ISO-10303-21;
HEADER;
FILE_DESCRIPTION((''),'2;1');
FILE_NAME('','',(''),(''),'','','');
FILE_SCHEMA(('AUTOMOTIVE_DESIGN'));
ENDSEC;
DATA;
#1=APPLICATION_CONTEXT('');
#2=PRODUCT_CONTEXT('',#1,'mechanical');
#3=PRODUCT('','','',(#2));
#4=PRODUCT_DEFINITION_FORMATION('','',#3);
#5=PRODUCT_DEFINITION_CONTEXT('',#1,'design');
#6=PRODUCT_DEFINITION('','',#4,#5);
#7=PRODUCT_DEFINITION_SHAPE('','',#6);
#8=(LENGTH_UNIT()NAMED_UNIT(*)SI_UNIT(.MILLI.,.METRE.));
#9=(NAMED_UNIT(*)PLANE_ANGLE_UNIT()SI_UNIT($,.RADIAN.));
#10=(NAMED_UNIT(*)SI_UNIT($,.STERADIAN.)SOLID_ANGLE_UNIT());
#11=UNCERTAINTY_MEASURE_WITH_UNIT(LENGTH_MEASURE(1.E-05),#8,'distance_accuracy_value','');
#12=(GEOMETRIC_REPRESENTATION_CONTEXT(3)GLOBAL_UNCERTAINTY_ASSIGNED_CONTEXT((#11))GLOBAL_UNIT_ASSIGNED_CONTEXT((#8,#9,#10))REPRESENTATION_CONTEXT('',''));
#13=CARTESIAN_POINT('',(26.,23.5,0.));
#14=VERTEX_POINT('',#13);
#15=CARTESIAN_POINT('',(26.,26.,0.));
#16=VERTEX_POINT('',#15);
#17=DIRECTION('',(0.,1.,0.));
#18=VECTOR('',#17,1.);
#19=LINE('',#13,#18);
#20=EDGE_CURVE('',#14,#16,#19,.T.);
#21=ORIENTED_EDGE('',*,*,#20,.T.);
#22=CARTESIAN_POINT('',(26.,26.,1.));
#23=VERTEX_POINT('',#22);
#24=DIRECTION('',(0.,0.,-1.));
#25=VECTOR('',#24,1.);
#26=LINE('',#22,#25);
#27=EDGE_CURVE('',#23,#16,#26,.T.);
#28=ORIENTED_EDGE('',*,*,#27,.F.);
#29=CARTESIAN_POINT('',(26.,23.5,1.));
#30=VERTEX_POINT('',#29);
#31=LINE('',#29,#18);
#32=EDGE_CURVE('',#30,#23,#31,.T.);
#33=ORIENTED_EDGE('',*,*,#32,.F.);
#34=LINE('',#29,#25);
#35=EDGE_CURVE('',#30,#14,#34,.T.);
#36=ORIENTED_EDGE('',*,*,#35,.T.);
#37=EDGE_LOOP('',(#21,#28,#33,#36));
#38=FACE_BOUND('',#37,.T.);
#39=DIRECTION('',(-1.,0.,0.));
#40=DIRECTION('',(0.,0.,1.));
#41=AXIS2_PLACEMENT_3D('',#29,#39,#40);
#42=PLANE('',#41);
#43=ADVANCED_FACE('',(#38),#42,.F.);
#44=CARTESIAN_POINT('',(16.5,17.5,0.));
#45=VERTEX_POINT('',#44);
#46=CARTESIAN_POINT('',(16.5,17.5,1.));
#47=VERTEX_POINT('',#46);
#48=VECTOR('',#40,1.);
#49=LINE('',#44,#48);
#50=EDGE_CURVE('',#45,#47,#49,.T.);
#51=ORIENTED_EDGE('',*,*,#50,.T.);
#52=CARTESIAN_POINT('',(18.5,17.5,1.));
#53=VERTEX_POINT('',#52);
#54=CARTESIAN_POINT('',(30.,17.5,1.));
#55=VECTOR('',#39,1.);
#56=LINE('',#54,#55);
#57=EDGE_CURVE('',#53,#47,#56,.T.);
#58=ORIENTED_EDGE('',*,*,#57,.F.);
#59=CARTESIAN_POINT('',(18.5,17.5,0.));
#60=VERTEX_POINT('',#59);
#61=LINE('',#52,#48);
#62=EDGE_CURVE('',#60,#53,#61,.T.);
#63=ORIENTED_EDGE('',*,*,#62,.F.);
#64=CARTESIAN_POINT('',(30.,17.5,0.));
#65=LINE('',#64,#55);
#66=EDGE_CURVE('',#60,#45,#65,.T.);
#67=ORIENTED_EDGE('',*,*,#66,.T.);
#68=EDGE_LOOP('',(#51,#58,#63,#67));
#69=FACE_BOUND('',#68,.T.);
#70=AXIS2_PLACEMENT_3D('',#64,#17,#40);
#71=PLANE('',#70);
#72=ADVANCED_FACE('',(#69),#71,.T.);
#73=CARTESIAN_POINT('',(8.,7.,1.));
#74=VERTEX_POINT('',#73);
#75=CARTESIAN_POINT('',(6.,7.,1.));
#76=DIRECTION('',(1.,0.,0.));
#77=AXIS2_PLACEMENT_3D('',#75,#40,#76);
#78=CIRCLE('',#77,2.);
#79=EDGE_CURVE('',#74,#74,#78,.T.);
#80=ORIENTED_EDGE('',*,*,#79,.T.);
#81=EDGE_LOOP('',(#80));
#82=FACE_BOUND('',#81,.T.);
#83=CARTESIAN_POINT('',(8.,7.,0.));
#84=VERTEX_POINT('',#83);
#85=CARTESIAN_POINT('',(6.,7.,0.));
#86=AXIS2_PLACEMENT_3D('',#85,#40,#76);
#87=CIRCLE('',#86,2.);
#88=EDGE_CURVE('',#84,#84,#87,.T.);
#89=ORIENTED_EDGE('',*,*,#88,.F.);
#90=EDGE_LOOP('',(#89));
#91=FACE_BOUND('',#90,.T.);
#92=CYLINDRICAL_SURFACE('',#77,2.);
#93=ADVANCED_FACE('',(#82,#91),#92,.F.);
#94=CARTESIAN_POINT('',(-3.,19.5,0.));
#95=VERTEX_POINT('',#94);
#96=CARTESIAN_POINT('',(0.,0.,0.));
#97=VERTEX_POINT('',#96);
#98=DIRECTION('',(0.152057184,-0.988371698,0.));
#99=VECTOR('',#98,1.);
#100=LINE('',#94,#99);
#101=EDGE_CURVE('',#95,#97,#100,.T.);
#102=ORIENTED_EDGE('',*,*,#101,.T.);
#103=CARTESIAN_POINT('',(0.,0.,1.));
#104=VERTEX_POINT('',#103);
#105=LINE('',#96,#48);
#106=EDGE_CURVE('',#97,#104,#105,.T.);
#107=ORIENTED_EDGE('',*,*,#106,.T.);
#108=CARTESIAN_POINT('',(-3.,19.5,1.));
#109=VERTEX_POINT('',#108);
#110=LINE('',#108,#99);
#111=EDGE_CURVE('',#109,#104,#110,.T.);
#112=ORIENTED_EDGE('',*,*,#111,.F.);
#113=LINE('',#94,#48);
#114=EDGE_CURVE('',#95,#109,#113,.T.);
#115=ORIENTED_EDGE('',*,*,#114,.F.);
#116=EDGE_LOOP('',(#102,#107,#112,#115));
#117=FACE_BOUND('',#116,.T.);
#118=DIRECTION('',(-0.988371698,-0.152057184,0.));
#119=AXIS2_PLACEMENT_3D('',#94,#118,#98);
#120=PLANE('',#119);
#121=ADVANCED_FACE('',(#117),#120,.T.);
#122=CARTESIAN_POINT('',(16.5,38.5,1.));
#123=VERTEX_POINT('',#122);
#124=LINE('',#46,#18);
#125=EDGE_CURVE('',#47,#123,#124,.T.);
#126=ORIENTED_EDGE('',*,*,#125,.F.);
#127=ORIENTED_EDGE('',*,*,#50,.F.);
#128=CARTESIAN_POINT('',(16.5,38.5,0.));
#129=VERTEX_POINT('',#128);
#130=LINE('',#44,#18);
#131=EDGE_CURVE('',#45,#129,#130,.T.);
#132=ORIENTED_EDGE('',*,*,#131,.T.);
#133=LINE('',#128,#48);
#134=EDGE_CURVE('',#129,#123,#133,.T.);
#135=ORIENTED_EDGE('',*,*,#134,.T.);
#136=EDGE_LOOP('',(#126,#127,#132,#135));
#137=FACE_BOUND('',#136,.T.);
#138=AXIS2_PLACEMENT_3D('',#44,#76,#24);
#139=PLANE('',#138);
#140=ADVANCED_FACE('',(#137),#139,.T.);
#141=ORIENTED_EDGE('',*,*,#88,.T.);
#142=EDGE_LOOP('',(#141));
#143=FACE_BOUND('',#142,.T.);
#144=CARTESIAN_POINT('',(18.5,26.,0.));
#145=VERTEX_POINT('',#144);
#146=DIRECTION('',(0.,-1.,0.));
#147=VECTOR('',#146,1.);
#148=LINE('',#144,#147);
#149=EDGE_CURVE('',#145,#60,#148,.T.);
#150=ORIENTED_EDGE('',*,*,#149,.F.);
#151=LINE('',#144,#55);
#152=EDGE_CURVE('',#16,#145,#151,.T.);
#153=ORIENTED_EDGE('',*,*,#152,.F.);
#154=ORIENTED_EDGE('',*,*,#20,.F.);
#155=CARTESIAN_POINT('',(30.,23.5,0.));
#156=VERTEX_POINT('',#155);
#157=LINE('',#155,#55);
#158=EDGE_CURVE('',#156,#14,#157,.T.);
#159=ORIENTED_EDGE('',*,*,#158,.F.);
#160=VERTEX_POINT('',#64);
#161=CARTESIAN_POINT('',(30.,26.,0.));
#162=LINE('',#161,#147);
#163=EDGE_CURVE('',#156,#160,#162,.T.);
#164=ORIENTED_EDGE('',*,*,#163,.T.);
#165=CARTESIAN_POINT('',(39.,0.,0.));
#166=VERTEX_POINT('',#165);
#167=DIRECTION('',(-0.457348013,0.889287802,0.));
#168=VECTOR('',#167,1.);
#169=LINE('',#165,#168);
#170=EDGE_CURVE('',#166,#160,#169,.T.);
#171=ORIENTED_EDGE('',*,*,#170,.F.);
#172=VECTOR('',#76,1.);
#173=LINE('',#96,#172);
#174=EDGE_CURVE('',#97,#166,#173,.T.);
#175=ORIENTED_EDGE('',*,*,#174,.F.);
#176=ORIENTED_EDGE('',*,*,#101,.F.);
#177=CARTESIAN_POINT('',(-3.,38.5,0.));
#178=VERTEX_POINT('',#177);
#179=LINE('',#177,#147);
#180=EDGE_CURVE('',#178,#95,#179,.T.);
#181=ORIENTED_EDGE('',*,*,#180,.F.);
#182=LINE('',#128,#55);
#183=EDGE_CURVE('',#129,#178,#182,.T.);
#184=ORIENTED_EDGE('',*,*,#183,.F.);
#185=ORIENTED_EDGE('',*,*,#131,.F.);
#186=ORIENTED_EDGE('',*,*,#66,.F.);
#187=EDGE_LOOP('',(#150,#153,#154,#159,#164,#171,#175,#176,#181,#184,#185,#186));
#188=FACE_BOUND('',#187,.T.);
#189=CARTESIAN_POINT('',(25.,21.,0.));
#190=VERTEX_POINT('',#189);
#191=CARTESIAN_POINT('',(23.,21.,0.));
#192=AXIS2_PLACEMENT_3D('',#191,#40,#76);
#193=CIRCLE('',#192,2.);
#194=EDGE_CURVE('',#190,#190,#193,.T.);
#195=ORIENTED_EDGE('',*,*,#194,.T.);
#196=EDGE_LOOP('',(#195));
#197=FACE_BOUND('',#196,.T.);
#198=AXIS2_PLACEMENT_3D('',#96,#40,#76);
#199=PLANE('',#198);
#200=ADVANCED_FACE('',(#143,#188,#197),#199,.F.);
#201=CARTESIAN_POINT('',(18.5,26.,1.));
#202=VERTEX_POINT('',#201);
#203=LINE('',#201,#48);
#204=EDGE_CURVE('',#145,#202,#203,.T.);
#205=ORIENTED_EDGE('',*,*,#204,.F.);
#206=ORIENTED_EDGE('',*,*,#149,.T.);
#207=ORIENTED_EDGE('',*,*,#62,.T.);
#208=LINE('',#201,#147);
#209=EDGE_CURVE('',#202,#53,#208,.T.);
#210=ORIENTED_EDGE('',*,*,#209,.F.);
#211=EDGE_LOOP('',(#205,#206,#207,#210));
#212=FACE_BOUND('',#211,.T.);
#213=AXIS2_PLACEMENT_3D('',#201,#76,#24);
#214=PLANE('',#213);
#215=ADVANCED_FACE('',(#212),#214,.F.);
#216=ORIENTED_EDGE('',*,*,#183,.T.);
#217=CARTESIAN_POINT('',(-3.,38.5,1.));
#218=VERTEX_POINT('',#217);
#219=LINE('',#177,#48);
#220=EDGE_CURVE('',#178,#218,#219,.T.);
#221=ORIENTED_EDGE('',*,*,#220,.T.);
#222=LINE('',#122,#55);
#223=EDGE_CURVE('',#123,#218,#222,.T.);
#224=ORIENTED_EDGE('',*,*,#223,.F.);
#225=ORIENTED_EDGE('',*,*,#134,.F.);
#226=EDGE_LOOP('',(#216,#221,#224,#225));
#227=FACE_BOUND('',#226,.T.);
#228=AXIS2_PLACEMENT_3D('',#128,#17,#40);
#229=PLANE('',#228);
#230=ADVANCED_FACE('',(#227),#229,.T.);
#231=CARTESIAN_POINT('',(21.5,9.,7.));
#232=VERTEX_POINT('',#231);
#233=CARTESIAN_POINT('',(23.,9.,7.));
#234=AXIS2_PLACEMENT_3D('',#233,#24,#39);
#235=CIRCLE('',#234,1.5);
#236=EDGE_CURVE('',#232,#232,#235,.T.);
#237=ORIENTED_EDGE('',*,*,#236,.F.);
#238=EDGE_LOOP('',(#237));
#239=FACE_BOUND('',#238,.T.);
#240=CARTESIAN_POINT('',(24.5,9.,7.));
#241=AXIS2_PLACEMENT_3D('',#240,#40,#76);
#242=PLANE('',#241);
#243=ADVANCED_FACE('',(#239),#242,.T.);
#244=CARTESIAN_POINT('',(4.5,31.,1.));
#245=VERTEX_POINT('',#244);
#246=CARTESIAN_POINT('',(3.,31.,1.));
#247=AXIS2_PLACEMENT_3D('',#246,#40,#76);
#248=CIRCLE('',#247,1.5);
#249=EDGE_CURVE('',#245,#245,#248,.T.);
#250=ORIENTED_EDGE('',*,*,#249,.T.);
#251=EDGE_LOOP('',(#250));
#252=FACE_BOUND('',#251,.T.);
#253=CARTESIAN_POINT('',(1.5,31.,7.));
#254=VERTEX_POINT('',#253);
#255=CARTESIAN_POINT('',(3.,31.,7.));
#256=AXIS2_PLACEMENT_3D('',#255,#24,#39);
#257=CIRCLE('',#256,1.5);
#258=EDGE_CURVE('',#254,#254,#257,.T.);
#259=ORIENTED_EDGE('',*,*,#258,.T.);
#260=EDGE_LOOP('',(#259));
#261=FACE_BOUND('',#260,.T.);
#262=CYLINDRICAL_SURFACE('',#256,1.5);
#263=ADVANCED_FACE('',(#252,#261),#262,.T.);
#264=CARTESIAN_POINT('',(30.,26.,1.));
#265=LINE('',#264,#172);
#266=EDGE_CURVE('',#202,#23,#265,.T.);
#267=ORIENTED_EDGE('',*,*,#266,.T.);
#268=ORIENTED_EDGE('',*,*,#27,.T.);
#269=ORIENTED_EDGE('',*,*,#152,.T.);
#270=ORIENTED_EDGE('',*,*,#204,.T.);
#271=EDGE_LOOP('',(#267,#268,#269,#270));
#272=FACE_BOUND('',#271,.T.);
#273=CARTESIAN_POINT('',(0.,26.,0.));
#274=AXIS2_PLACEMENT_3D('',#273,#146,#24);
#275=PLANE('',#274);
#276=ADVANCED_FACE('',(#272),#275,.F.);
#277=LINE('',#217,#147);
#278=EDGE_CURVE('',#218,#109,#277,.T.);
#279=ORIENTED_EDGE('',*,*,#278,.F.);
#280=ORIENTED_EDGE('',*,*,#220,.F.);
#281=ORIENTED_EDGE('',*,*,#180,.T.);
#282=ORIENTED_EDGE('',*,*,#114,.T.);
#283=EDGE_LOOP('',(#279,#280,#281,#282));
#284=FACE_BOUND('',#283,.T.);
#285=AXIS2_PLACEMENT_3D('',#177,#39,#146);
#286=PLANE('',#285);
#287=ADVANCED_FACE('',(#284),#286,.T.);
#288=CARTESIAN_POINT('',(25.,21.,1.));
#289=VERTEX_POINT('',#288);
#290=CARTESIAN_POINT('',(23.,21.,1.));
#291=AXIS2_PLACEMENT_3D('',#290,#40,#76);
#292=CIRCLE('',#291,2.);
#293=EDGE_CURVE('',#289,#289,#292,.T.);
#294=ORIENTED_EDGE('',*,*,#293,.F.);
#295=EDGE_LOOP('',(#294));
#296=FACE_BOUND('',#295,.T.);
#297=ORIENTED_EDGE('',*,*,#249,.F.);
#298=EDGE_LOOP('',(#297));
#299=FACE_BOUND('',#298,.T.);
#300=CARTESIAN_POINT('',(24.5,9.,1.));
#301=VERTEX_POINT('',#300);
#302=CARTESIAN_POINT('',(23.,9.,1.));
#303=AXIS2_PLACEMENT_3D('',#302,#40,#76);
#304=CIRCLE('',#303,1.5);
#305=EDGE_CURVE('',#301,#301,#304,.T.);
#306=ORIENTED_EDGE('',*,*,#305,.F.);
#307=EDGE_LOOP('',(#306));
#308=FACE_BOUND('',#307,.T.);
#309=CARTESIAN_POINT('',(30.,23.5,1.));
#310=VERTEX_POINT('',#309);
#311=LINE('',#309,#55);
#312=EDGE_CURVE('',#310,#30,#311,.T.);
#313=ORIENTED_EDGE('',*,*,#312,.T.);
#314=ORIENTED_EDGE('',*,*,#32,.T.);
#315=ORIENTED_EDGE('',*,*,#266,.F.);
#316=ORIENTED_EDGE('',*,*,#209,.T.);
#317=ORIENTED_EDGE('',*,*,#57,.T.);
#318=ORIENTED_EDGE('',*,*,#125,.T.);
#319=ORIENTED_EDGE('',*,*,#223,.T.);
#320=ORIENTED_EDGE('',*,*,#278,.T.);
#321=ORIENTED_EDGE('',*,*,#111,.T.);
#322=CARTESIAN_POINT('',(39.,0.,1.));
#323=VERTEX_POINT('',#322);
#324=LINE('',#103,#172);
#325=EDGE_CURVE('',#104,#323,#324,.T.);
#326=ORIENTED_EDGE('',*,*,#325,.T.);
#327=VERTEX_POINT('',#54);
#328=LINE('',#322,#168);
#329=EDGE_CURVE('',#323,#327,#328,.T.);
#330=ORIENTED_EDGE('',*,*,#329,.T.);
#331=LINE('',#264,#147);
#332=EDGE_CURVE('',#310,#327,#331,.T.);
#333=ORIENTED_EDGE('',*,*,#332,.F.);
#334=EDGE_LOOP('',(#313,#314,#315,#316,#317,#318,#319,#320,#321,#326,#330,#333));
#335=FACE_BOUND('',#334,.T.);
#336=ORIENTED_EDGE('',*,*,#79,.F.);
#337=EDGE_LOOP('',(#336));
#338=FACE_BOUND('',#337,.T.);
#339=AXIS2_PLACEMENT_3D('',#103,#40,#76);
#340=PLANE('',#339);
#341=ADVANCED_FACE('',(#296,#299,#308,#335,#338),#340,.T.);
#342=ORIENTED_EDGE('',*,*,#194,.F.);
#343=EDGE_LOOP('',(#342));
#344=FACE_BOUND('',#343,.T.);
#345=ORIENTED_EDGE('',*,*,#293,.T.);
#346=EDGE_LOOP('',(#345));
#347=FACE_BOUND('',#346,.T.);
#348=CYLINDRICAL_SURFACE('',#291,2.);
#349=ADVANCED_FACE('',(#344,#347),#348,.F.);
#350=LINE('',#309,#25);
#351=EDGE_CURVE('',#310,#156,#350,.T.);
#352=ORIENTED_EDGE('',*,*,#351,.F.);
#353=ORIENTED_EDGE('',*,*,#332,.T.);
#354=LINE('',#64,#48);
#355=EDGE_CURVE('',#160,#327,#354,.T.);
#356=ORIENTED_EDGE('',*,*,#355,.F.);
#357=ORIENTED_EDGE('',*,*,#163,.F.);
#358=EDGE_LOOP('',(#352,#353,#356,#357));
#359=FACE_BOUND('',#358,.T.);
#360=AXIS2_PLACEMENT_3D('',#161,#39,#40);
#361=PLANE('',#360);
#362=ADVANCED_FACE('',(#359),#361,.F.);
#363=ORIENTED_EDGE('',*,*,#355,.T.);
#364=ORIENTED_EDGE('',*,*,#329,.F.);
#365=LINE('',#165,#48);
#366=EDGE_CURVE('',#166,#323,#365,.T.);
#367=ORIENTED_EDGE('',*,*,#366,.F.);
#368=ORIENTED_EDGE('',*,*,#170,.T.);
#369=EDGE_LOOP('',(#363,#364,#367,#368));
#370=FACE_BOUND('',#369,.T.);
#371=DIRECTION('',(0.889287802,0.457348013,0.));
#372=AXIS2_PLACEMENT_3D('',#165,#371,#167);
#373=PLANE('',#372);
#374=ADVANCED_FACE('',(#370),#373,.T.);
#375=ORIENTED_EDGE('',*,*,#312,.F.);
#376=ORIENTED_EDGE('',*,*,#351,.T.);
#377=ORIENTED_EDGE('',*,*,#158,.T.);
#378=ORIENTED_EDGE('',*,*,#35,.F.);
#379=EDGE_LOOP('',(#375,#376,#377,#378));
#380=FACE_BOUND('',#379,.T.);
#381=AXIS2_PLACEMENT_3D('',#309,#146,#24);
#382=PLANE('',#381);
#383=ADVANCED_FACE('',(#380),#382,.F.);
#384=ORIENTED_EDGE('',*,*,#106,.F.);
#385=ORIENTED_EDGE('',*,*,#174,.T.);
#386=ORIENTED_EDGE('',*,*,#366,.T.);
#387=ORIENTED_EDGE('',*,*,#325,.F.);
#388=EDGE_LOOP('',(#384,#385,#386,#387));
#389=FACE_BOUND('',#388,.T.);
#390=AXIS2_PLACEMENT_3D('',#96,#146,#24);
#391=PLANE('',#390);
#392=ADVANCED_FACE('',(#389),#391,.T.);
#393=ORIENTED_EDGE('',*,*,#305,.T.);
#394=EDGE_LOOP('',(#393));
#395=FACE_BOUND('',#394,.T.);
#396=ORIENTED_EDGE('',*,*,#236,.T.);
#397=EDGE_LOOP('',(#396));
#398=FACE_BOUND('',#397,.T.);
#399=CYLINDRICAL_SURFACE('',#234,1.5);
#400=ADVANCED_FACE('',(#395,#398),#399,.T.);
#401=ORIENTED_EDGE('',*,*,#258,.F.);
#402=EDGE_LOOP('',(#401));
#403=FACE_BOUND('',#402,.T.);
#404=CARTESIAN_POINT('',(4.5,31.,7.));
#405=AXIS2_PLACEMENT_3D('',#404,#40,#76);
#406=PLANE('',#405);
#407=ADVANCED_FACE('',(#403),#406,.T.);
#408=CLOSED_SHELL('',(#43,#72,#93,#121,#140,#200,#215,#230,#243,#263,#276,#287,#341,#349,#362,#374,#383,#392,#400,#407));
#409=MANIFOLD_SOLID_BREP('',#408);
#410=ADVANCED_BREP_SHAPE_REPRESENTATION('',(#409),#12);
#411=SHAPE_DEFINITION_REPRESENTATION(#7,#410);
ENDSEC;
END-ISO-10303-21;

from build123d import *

# Parameters (mm, degrees)
EXTRUDE_1_DEPTH       = 1
SKETCH_2_W            = 11.5
SKETCH_2_H            = 1
EXTRUDE_2_DEPTH       = 8.5
SKETCH_3_W            = 4
SKETCH_3_H            = 2.5
CUT_EXTRUDE_1_DEPTH   = 55.811039034
SKETCH_4_W            = 1.5
SKETCH_4_H            = 6
SKETCH_5_W            = 1.5
SKETCH_5_H            = 6
HOLE_WIZARD_4_0_4_1_D = 4


with BuildPart() as part:
    # Эскиз1 → Бобышка-Вытянуть1 (new body)
    with BuildSketch(Plane.XY.offset(1)):
        Polygon((39, 0), (30, 17.5), (16.5, 17.5), (16.5, 38.5), (-3, 38.5), (-3, 19.5), (0, 0), align=None)
    extrude(amount=-EXTRUDE_1_DEPTH)

    # Эскиз2 → Бобышка-Вытянуть2 (add)
    with BuildSketch(Plane(origin=(0, 17.5, 0), x_dir=(-1, 0, 0), z_dir=(0, 1, 0))):
        with Locations((-24.25, 0.5)):
            Rectangle(SKETCH_2_W, SKETCH_2_H)
    extrude(amount=EXTRUDE_2_DEPTH)

    # Эскиз3 → Вырез-Вытянуть1 (cut, through all)
    with BuildSketch(Plane(origin=(0, 0, 0), x_dir=(-1, 0, 0), z_dir=(0, 0, -1))):
        with Locations((-28, 24.75)):
            Rectangle(SKETCH_3_W, SKETCH_3_H)
    extrude(amount=-CUT_EXTRUDE_1_DEPTH, mode=Mode.SUBTRACT)

    # Эскиз4 → Повернуть1 (revolve)
    with BuildSketch(Plane.XZ.offset(-31), mode=Mode.PRIVATE) as revolve_1_sk:
        with Locations((3.75, 4)):
            Rectangle(SKETCH_4_W, SKETCH_4_H)
    revolve(revolve_1_sk.sketch.rotate(Axis((3, 31, 7), (0, 0, -1)), 180), axis=Axis((3, 31, 7), (0, 0, -1)))

    # Эскиз5 → Повернуть2 (revolve)
    with BuildSketch(Plane.XZ.offset(-9), mode=Mode.PRIVATE) as revolve_2_sk:
        with Locations((23.75, 4)):
            Rectangle(SKETCH_5_W, SKETCH_5_H)
    revolve(revolve_2_sk.sketch.rotate(Axis((23, 9, 7), (0, 0, -1)), 180), axis=Axis((23, 9, 7), (0, 0, -1)))

    # Диаметр отверстия Ø4.0 (4)1 (through all)
    with Locations(Plane.XY.offset(1)):
        with Locations((23, 21), (6, 7)):
            Hole(HOLE_WIZARD_4_0_4_1_D / 2)


solid = part.part
